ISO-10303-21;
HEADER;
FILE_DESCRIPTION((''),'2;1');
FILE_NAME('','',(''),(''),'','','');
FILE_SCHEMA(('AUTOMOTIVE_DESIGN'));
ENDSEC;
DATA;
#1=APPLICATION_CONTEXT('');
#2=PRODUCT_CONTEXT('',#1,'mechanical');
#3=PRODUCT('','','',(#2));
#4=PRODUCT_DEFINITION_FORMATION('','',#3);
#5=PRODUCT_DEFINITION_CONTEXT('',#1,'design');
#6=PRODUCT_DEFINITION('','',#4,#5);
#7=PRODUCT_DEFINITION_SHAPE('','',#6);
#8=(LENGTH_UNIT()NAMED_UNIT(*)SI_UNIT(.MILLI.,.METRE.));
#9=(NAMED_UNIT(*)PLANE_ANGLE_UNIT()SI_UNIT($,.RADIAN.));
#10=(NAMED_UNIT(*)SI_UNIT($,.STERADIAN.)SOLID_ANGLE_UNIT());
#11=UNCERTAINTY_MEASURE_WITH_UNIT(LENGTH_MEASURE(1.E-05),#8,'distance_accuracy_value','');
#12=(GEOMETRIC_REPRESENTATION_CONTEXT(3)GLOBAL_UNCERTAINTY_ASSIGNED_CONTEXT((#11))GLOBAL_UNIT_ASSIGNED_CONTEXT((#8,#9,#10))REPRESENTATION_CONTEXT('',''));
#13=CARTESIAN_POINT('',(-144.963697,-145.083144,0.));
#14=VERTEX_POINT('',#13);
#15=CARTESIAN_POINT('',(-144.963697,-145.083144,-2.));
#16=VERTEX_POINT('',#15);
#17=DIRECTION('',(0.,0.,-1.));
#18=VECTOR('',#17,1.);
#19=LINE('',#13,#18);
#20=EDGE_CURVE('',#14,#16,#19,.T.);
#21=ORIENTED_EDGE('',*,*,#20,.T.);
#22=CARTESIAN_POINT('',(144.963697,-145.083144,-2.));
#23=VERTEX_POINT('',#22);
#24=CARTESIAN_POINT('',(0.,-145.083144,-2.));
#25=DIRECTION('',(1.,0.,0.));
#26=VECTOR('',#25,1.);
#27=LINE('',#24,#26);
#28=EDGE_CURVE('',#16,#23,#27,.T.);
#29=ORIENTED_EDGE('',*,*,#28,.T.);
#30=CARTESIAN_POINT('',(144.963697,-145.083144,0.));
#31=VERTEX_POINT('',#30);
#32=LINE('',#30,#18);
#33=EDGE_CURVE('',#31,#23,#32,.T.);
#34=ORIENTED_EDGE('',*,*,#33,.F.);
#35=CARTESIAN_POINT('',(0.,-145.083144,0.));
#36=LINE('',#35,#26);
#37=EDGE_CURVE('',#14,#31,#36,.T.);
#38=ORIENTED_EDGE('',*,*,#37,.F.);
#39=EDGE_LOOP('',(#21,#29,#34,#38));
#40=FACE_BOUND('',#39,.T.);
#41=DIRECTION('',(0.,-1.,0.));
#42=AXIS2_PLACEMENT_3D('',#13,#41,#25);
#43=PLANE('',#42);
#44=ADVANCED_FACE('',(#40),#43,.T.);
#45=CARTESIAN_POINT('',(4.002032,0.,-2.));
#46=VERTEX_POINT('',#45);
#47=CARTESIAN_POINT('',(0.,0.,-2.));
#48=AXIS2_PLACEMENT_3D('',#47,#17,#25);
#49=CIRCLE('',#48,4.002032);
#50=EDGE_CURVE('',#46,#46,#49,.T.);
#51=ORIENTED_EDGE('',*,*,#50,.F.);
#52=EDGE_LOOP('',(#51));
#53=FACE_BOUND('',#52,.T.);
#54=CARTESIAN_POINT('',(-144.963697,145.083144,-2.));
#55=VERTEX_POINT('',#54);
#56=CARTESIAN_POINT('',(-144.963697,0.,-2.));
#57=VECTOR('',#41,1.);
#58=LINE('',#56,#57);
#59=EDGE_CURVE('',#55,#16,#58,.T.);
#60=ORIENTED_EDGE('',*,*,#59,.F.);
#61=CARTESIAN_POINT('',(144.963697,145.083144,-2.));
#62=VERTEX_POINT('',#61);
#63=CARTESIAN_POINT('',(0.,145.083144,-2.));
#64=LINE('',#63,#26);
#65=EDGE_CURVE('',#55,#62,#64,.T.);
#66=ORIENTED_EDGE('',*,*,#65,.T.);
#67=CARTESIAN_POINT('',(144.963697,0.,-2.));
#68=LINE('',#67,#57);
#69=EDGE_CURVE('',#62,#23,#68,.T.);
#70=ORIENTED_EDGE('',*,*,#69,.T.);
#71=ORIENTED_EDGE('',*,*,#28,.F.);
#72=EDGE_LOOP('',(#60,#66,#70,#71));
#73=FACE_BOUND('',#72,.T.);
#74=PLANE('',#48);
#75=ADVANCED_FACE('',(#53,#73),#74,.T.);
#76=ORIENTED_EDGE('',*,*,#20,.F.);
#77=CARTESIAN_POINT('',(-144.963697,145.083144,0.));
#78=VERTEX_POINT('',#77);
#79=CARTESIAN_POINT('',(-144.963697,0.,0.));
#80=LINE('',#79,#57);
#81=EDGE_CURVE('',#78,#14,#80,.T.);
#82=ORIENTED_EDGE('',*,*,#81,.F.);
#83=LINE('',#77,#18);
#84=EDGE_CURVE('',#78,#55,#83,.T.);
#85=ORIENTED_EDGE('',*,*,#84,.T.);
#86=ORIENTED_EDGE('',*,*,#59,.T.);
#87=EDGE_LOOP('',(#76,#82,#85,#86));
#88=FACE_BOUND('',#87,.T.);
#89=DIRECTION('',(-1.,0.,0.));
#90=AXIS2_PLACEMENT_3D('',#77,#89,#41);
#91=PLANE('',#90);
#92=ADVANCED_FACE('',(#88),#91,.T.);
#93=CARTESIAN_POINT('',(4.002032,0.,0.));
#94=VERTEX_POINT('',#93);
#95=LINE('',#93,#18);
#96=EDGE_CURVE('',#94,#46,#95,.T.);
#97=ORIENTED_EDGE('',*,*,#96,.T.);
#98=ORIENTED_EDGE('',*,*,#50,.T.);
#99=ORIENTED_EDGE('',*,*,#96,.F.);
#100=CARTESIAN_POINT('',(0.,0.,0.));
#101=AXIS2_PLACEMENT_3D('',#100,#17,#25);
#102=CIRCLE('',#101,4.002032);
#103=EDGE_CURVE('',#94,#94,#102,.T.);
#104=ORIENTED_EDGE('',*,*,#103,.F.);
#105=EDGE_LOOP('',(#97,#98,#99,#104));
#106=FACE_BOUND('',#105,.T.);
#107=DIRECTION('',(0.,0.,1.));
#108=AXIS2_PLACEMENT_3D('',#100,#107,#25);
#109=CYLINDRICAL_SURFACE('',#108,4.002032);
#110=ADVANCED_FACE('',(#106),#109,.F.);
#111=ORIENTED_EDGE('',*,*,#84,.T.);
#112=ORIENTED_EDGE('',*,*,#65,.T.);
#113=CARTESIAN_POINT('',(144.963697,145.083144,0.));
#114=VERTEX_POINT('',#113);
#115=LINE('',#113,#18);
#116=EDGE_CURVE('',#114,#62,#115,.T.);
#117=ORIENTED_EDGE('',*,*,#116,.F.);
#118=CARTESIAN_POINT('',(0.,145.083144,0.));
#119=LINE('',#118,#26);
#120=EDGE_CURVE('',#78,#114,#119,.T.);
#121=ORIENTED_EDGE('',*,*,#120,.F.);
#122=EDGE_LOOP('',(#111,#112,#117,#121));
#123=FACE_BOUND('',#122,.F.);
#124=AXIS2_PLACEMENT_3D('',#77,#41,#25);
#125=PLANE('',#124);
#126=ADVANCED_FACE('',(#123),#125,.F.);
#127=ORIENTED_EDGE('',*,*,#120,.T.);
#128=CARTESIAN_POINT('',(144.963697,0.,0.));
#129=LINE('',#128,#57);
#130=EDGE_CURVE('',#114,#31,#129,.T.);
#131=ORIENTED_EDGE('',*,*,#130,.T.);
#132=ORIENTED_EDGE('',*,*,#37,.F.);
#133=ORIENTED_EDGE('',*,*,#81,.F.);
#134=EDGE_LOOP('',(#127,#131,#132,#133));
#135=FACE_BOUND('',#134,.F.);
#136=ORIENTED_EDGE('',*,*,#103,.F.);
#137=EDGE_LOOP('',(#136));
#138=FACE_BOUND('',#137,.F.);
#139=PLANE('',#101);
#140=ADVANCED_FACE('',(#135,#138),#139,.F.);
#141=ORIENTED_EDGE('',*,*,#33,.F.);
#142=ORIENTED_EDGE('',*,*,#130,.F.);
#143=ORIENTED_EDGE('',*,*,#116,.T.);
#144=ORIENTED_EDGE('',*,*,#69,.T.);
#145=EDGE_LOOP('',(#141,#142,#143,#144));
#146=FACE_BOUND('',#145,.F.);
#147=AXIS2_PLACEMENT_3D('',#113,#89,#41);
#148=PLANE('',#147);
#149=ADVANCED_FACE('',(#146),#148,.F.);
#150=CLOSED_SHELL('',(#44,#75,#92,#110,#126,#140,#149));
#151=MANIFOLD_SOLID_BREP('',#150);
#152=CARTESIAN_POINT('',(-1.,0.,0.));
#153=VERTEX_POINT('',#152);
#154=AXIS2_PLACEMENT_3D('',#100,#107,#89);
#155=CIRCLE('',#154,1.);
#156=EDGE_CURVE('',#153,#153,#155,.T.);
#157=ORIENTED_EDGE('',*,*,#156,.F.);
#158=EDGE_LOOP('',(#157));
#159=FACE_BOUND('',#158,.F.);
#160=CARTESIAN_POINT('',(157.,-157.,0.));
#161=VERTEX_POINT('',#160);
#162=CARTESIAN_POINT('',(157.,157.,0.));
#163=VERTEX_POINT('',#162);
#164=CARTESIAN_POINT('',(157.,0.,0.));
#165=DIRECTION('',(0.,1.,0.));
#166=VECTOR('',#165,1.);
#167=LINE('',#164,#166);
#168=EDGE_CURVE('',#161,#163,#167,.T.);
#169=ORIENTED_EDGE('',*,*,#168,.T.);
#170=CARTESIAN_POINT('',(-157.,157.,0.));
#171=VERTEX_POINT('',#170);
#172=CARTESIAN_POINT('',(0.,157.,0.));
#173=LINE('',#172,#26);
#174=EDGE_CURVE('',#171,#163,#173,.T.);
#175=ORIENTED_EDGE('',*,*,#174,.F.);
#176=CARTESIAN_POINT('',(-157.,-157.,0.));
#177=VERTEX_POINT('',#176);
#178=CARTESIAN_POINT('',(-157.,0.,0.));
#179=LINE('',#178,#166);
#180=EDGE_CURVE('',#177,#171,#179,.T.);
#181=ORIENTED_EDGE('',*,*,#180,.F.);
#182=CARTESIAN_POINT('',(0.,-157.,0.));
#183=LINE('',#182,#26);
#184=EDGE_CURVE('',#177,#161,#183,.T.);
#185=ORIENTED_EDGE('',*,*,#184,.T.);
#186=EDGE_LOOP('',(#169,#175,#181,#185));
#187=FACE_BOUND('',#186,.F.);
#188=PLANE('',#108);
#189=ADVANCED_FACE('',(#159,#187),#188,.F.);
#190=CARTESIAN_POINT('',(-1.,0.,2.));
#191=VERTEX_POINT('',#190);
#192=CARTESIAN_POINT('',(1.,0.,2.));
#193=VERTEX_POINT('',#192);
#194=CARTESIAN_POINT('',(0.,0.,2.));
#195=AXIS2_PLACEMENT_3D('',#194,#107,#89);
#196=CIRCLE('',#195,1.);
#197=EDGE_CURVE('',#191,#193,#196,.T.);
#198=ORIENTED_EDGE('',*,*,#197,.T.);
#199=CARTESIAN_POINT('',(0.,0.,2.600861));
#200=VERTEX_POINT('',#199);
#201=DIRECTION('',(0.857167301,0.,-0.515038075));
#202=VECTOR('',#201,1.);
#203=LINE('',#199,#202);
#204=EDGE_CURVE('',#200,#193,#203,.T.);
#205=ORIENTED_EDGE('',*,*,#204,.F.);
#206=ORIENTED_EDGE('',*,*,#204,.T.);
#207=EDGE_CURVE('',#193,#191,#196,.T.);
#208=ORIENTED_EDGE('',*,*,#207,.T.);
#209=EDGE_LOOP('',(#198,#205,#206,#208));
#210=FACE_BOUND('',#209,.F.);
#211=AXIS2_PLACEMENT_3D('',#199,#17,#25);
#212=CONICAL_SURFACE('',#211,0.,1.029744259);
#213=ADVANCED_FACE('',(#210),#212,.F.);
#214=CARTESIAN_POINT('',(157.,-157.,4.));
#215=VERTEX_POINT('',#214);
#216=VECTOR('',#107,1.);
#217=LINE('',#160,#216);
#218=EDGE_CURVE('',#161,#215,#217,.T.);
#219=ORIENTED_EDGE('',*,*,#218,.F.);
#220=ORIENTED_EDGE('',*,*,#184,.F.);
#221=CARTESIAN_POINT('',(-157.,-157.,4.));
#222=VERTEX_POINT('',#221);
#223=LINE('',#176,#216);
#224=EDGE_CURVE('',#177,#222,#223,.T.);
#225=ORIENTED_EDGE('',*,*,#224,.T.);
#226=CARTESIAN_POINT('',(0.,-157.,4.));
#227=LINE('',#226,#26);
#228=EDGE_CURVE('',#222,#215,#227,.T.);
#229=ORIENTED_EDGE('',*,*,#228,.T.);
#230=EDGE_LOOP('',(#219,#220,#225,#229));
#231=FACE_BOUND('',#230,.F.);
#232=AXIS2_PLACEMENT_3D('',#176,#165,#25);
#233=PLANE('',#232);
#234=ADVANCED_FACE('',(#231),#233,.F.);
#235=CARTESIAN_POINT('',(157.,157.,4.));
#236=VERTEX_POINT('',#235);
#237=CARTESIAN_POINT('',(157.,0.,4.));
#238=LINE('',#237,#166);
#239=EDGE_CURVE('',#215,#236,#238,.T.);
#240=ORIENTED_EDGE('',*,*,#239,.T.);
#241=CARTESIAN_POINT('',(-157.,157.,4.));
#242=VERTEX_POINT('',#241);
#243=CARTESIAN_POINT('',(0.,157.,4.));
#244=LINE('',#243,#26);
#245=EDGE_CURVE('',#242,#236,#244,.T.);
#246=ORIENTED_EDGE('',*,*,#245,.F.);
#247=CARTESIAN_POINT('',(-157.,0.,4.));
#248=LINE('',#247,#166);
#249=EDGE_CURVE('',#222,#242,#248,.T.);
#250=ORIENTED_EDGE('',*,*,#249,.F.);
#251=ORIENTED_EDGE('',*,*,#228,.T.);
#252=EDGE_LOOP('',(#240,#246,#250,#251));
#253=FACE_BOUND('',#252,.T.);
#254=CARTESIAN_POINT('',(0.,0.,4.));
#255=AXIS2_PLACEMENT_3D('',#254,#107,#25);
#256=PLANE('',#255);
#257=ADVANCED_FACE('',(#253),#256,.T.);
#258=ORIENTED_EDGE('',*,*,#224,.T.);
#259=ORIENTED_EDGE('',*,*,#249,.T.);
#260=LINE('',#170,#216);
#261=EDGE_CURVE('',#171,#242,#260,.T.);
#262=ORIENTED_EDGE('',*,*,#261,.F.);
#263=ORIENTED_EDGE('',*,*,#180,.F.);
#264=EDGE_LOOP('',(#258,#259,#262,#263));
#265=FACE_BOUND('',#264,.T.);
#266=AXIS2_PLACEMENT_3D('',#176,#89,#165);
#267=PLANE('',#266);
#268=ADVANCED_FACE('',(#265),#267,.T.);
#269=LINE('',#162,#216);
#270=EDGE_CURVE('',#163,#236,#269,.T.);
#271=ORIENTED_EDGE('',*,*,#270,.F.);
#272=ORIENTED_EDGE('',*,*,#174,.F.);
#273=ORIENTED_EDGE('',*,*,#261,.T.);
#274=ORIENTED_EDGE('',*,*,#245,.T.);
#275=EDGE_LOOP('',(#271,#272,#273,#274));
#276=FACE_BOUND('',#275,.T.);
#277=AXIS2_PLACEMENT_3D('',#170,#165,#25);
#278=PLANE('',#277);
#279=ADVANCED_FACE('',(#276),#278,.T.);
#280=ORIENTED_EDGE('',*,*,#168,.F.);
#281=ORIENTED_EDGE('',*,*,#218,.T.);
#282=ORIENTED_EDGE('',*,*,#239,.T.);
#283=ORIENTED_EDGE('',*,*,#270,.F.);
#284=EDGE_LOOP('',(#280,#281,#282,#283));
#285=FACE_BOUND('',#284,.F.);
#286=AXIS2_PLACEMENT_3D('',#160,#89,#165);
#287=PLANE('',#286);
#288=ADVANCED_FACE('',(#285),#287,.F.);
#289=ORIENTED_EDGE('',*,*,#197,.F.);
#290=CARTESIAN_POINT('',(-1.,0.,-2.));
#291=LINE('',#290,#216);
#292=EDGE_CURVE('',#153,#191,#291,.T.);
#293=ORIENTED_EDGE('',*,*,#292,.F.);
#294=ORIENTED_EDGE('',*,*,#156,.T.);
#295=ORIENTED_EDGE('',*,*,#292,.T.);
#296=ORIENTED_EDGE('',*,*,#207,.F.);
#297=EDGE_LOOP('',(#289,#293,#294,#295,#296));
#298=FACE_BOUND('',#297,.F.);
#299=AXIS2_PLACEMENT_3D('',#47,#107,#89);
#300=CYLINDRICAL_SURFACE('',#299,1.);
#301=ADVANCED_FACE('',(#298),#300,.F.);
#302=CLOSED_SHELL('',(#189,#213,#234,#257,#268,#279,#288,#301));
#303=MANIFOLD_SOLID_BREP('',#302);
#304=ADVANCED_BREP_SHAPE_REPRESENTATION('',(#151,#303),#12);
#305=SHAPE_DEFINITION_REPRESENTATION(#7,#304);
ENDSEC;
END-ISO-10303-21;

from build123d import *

# Parameters (mm, degrees)
F0_W     = 314
F0_H     = 314
F1_DEPTH = 4
F3_D     = 2
F3_DEPTH = 2
F3_TIP   = 0.600860619
F4_W     = 289.927393198
F4_H     = 290.1662886143
F4_R     = 4.0020322837
F5_DEPTH = 2


with BuildPart() as f1:
    # F0 (on Top) → F1 (new body)
    with BuildSketch(Plane.XY):
        Rectangle(F0_W, F0_H)
    extrude(amount=F1_DEPTH)

    # F3
    with Locations(Plane(origin=(0, 0, 0), x_dir=(1, 0, 0), z_dir=(0, 0, -1))):
        with Locations((0, 0)):
            Hole(F3_D / 2, depth=F3_DEPTH)
            with Locations((0, 0, -(F3_DEPTH + F3_TIP / 2))):  # 118° drill point
                Cone(0, F3_D / 2, F3_TIP, mode=Mode.SUBTRACT)


with BuildPart() as f5:
    # F4 (on face) → F5 (new body)
    with BuildSketch(Plane(origin=(0, 0, 0), x_dir=(1, 0, 0), z_dir=(0, 0, -1))):
        Rectangle(F4_W, F4_H)
        Circle(F4_R, mode=Mode.SUBTRACT)
    extrude(amount=F5_DEPTH)


solid = Compound([f1.part, f5.part])
